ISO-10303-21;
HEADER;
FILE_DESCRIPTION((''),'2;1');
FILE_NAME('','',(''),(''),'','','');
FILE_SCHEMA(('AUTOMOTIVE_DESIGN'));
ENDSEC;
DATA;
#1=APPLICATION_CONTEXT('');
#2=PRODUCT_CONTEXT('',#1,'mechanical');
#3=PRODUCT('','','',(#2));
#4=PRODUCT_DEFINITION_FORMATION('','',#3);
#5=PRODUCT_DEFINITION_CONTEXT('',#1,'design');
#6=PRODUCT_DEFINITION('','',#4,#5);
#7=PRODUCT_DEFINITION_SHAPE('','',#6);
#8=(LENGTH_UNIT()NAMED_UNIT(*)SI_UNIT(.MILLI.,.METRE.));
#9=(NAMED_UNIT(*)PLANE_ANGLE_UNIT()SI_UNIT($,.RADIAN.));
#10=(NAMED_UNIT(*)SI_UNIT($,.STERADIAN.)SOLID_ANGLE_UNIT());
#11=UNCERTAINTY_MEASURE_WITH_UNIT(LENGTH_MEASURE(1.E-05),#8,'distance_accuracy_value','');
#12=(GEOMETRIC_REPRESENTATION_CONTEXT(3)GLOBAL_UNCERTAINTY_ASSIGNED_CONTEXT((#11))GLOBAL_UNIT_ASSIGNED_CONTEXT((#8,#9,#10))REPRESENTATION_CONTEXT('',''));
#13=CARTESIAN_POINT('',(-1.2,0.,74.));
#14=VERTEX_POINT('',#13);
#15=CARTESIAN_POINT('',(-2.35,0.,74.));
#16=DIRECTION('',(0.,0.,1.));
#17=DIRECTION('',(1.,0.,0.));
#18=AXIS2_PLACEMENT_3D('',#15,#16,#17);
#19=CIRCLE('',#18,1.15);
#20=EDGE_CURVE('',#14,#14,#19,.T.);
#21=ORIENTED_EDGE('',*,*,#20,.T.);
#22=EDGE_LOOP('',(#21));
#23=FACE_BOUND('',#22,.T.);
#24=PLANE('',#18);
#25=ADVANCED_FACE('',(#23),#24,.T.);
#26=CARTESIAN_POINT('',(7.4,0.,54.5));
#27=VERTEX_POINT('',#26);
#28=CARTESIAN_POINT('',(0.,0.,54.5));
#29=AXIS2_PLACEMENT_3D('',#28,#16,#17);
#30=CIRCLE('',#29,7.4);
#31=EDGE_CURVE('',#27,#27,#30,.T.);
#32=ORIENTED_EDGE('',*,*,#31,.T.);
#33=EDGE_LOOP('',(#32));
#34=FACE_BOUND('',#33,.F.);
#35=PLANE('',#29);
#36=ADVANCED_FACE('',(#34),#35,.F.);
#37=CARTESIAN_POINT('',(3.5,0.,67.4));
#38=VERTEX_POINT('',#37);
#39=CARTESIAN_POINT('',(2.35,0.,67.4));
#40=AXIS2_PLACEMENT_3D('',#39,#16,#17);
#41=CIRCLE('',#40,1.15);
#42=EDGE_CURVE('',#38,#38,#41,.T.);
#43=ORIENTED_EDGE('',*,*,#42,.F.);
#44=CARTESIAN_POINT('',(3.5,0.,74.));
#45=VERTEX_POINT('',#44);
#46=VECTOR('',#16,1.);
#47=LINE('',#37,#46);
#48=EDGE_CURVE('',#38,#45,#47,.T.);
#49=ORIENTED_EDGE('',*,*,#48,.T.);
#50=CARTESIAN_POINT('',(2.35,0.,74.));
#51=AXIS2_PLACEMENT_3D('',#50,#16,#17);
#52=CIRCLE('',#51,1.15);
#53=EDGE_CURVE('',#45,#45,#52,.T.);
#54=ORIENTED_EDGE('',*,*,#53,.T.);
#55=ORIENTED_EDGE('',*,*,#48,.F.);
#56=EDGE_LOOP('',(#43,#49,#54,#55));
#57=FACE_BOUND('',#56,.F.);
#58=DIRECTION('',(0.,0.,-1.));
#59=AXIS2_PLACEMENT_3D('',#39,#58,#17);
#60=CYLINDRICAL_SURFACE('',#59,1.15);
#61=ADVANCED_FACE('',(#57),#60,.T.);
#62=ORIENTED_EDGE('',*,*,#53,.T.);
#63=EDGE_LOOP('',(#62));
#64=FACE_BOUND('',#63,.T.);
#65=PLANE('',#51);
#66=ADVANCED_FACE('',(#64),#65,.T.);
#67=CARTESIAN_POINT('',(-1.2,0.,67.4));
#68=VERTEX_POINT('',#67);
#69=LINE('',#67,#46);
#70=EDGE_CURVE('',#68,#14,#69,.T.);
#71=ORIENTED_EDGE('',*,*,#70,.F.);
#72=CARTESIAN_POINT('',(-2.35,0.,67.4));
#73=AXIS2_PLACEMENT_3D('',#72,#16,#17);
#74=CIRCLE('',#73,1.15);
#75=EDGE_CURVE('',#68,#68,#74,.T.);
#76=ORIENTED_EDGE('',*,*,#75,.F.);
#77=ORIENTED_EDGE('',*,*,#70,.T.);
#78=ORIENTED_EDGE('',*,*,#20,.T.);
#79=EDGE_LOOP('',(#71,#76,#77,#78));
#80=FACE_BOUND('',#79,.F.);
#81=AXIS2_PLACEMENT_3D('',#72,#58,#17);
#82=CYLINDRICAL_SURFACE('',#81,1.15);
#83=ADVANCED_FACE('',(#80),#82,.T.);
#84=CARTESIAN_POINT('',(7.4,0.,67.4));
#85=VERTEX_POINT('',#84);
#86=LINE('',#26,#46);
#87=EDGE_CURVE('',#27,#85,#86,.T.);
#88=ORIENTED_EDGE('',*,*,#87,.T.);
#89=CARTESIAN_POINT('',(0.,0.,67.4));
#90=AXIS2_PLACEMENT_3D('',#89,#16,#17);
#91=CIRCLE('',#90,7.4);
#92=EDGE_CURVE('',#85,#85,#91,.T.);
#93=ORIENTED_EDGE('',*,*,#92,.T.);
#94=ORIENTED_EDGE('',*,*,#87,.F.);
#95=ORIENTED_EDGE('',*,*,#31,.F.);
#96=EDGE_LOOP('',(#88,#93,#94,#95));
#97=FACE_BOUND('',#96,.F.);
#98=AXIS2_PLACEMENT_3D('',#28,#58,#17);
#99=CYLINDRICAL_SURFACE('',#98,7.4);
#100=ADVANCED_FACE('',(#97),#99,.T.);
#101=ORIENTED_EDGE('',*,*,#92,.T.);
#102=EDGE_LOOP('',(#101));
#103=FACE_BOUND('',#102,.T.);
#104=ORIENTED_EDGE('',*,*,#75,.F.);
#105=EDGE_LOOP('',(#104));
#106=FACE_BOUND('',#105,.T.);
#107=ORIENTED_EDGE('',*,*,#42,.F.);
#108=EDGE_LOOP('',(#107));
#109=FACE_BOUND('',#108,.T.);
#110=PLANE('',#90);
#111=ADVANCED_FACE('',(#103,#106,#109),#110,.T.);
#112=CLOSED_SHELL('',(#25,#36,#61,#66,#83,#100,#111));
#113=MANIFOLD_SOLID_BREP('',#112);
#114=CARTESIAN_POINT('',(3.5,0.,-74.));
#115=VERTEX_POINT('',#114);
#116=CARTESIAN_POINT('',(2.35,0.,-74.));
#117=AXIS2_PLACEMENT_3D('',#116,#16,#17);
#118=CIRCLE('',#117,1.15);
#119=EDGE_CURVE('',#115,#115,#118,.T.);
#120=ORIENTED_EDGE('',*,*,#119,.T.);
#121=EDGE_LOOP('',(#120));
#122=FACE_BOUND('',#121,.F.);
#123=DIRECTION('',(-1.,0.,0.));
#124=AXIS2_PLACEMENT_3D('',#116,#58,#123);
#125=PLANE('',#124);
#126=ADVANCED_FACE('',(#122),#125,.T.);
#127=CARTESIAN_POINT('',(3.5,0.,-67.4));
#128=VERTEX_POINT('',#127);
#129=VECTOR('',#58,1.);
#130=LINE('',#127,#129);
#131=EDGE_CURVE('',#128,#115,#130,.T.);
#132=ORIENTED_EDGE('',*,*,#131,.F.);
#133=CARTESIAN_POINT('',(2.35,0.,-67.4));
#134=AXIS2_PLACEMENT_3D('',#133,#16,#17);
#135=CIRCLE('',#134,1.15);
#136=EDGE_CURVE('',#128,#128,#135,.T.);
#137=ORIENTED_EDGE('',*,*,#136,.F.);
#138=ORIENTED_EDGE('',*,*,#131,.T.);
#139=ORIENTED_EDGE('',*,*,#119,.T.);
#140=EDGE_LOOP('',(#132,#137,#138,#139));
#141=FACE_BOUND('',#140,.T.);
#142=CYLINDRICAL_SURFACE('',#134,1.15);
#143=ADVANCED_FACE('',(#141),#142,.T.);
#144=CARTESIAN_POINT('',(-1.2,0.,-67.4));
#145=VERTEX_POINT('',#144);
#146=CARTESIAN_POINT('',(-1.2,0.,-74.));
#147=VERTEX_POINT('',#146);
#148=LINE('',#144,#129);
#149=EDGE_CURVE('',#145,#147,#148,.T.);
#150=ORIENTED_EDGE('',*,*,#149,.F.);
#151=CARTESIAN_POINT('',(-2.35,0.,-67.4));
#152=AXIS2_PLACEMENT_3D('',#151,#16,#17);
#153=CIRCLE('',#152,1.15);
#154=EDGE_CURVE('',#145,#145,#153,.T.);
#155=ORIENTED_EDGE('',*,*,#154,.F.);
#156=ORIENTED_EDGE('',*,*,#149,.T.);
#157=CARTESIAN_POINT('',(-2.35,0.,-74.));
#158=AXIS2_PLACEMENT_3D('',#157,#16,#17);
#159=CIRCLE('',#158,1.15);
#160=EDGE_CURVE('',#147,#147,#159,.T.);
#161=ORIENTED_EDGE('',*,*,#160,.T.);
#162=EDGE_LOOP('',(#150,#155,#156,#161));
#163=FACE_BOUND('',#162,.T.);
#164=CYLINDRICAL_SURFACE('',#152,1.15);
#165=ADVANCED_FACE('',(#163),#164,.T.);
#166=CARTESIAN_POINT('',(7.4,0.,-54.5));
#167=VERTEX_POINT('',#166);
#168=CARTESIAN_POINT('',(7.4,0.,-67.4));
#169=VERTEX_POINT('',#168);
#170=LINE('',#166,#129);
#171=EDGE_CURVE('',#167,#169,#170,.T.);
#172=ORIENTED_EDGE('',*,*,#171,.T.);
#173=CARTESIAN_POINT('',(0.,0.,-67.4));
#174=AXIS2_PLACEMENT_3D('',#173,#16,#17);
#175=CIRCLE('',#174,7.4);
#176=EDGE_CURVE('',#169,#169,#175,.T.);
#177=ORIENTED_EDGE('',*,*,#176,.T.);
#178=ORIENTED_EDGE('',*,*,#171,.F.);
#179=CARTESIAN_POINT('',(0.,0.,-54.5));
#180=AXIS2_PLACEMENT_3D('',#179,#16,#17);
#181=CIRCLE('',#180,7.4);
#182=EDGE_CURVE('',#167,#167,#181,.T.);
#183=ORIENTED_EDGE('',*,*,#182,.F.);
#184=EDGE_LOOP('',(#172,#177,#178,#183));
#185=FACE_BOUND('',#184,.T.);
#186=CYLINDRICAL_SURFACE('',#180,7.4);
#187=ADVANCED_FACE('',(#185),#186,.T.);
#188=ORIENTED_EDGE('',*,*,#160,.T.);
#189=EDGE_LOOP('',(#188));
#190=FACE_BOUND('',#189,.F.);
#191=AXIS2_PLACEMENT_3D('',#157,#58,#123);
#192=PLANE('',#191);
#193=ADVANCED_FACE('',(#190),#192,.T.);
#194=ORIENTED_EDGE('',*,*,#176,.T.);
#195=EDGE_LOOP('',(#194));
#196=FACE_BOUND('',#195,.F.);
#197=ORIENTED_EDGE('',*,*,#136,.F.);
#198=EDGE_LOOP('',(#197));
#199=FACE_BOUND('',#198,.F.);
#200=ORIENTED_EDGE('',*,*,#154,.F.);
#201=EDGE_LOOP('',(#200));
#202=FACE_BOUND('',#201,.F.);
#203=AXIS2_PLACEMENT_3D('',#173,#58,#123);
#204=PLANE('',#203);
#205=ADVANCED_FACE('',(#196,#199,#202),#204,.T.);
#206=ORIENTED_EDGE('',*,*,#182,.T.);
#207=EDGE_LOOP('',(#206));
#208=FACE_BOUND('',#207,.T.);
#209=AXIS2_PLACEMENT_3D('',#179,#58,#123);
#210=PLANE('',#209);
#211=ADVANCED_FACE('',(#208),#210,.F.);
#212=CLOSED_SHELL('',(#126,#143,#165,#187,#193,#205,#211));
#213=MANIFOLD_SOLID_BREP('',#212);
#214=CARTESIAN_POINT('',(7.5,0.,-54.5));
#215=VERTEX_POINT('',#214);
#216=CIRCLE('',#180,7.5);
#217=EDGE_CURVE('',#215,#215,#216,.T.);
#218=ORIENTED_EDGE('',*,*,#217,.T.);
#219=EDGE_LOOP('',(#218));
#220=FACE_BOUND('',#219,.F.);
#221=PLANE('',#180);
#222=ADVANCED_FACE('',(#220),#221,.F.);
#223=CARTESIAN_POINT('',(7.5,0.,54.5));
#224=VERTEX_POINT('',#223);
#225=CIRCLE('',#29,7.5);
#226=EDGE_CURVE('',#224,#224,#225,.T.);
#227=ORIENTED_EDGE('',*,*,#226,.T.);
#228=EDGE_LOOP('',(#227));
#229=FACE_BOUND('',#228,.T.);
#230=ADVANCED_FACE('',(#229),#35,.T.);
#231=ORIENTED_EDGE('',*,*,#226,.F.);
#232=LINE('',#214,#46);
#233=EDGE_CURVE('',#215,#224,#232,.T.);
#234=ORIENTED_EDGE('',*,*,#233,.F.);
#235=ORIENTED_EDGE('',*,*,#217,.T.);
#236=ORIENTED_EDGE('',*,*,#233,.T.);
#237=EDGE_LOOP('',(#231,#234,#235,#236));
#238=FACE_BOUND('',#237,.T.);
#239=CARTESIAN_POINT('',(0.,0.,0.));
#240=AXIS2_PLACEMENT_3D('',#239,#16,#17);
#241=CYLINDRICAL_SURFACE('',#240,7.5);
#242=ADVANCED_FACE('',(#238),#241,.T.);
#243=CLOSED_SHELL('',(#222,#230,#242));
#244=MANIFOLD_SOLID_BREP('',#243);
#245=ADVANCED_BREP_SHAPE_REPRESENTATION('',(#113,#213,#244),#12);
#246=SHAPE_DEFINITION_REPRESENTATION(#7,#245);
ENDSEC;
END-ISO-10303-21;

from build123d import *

# Parameters (mm, degrees)
F0_R     = 7.5
F1_DEPTH = 54.5
F2_R     = 7.4
F3_DEPTH = 12.9
F4_R     = 1.15
F5_DEPTH = 6.6


with BuildPart() as f1:
    # F0 (on Top) → F1 (new body, symmetric)
    with BuildSketch(Plane.XY):
        Circle(F0_R)
    extrude(amount=F1_DEPTH, both=True)


with BuildPart() as f3:
    # F2 (on face) → F3 (new body)
    with BuildSketch(Plane.XY.offset(54.5)):
        Circle(F2_R)
    extrude(amount=F3_DEPTH)

    # F4 (on face) → F5 (join)
    with BuildSketch(Plane.XY.offset(67.4)):
        with Locations((-2.35, 0)):
            Circle(F4_R)
        with Locations((2.35, 0)):
            Circle(F4_R)
    extrude(amount=F5_DEPTH)


with BuildPart() as f6_1:
    # F6: instance of F3
    add(f3.part.mirror(Plane.XY))


solid = Compound([f1.part, f3.part, f6_1.part])
